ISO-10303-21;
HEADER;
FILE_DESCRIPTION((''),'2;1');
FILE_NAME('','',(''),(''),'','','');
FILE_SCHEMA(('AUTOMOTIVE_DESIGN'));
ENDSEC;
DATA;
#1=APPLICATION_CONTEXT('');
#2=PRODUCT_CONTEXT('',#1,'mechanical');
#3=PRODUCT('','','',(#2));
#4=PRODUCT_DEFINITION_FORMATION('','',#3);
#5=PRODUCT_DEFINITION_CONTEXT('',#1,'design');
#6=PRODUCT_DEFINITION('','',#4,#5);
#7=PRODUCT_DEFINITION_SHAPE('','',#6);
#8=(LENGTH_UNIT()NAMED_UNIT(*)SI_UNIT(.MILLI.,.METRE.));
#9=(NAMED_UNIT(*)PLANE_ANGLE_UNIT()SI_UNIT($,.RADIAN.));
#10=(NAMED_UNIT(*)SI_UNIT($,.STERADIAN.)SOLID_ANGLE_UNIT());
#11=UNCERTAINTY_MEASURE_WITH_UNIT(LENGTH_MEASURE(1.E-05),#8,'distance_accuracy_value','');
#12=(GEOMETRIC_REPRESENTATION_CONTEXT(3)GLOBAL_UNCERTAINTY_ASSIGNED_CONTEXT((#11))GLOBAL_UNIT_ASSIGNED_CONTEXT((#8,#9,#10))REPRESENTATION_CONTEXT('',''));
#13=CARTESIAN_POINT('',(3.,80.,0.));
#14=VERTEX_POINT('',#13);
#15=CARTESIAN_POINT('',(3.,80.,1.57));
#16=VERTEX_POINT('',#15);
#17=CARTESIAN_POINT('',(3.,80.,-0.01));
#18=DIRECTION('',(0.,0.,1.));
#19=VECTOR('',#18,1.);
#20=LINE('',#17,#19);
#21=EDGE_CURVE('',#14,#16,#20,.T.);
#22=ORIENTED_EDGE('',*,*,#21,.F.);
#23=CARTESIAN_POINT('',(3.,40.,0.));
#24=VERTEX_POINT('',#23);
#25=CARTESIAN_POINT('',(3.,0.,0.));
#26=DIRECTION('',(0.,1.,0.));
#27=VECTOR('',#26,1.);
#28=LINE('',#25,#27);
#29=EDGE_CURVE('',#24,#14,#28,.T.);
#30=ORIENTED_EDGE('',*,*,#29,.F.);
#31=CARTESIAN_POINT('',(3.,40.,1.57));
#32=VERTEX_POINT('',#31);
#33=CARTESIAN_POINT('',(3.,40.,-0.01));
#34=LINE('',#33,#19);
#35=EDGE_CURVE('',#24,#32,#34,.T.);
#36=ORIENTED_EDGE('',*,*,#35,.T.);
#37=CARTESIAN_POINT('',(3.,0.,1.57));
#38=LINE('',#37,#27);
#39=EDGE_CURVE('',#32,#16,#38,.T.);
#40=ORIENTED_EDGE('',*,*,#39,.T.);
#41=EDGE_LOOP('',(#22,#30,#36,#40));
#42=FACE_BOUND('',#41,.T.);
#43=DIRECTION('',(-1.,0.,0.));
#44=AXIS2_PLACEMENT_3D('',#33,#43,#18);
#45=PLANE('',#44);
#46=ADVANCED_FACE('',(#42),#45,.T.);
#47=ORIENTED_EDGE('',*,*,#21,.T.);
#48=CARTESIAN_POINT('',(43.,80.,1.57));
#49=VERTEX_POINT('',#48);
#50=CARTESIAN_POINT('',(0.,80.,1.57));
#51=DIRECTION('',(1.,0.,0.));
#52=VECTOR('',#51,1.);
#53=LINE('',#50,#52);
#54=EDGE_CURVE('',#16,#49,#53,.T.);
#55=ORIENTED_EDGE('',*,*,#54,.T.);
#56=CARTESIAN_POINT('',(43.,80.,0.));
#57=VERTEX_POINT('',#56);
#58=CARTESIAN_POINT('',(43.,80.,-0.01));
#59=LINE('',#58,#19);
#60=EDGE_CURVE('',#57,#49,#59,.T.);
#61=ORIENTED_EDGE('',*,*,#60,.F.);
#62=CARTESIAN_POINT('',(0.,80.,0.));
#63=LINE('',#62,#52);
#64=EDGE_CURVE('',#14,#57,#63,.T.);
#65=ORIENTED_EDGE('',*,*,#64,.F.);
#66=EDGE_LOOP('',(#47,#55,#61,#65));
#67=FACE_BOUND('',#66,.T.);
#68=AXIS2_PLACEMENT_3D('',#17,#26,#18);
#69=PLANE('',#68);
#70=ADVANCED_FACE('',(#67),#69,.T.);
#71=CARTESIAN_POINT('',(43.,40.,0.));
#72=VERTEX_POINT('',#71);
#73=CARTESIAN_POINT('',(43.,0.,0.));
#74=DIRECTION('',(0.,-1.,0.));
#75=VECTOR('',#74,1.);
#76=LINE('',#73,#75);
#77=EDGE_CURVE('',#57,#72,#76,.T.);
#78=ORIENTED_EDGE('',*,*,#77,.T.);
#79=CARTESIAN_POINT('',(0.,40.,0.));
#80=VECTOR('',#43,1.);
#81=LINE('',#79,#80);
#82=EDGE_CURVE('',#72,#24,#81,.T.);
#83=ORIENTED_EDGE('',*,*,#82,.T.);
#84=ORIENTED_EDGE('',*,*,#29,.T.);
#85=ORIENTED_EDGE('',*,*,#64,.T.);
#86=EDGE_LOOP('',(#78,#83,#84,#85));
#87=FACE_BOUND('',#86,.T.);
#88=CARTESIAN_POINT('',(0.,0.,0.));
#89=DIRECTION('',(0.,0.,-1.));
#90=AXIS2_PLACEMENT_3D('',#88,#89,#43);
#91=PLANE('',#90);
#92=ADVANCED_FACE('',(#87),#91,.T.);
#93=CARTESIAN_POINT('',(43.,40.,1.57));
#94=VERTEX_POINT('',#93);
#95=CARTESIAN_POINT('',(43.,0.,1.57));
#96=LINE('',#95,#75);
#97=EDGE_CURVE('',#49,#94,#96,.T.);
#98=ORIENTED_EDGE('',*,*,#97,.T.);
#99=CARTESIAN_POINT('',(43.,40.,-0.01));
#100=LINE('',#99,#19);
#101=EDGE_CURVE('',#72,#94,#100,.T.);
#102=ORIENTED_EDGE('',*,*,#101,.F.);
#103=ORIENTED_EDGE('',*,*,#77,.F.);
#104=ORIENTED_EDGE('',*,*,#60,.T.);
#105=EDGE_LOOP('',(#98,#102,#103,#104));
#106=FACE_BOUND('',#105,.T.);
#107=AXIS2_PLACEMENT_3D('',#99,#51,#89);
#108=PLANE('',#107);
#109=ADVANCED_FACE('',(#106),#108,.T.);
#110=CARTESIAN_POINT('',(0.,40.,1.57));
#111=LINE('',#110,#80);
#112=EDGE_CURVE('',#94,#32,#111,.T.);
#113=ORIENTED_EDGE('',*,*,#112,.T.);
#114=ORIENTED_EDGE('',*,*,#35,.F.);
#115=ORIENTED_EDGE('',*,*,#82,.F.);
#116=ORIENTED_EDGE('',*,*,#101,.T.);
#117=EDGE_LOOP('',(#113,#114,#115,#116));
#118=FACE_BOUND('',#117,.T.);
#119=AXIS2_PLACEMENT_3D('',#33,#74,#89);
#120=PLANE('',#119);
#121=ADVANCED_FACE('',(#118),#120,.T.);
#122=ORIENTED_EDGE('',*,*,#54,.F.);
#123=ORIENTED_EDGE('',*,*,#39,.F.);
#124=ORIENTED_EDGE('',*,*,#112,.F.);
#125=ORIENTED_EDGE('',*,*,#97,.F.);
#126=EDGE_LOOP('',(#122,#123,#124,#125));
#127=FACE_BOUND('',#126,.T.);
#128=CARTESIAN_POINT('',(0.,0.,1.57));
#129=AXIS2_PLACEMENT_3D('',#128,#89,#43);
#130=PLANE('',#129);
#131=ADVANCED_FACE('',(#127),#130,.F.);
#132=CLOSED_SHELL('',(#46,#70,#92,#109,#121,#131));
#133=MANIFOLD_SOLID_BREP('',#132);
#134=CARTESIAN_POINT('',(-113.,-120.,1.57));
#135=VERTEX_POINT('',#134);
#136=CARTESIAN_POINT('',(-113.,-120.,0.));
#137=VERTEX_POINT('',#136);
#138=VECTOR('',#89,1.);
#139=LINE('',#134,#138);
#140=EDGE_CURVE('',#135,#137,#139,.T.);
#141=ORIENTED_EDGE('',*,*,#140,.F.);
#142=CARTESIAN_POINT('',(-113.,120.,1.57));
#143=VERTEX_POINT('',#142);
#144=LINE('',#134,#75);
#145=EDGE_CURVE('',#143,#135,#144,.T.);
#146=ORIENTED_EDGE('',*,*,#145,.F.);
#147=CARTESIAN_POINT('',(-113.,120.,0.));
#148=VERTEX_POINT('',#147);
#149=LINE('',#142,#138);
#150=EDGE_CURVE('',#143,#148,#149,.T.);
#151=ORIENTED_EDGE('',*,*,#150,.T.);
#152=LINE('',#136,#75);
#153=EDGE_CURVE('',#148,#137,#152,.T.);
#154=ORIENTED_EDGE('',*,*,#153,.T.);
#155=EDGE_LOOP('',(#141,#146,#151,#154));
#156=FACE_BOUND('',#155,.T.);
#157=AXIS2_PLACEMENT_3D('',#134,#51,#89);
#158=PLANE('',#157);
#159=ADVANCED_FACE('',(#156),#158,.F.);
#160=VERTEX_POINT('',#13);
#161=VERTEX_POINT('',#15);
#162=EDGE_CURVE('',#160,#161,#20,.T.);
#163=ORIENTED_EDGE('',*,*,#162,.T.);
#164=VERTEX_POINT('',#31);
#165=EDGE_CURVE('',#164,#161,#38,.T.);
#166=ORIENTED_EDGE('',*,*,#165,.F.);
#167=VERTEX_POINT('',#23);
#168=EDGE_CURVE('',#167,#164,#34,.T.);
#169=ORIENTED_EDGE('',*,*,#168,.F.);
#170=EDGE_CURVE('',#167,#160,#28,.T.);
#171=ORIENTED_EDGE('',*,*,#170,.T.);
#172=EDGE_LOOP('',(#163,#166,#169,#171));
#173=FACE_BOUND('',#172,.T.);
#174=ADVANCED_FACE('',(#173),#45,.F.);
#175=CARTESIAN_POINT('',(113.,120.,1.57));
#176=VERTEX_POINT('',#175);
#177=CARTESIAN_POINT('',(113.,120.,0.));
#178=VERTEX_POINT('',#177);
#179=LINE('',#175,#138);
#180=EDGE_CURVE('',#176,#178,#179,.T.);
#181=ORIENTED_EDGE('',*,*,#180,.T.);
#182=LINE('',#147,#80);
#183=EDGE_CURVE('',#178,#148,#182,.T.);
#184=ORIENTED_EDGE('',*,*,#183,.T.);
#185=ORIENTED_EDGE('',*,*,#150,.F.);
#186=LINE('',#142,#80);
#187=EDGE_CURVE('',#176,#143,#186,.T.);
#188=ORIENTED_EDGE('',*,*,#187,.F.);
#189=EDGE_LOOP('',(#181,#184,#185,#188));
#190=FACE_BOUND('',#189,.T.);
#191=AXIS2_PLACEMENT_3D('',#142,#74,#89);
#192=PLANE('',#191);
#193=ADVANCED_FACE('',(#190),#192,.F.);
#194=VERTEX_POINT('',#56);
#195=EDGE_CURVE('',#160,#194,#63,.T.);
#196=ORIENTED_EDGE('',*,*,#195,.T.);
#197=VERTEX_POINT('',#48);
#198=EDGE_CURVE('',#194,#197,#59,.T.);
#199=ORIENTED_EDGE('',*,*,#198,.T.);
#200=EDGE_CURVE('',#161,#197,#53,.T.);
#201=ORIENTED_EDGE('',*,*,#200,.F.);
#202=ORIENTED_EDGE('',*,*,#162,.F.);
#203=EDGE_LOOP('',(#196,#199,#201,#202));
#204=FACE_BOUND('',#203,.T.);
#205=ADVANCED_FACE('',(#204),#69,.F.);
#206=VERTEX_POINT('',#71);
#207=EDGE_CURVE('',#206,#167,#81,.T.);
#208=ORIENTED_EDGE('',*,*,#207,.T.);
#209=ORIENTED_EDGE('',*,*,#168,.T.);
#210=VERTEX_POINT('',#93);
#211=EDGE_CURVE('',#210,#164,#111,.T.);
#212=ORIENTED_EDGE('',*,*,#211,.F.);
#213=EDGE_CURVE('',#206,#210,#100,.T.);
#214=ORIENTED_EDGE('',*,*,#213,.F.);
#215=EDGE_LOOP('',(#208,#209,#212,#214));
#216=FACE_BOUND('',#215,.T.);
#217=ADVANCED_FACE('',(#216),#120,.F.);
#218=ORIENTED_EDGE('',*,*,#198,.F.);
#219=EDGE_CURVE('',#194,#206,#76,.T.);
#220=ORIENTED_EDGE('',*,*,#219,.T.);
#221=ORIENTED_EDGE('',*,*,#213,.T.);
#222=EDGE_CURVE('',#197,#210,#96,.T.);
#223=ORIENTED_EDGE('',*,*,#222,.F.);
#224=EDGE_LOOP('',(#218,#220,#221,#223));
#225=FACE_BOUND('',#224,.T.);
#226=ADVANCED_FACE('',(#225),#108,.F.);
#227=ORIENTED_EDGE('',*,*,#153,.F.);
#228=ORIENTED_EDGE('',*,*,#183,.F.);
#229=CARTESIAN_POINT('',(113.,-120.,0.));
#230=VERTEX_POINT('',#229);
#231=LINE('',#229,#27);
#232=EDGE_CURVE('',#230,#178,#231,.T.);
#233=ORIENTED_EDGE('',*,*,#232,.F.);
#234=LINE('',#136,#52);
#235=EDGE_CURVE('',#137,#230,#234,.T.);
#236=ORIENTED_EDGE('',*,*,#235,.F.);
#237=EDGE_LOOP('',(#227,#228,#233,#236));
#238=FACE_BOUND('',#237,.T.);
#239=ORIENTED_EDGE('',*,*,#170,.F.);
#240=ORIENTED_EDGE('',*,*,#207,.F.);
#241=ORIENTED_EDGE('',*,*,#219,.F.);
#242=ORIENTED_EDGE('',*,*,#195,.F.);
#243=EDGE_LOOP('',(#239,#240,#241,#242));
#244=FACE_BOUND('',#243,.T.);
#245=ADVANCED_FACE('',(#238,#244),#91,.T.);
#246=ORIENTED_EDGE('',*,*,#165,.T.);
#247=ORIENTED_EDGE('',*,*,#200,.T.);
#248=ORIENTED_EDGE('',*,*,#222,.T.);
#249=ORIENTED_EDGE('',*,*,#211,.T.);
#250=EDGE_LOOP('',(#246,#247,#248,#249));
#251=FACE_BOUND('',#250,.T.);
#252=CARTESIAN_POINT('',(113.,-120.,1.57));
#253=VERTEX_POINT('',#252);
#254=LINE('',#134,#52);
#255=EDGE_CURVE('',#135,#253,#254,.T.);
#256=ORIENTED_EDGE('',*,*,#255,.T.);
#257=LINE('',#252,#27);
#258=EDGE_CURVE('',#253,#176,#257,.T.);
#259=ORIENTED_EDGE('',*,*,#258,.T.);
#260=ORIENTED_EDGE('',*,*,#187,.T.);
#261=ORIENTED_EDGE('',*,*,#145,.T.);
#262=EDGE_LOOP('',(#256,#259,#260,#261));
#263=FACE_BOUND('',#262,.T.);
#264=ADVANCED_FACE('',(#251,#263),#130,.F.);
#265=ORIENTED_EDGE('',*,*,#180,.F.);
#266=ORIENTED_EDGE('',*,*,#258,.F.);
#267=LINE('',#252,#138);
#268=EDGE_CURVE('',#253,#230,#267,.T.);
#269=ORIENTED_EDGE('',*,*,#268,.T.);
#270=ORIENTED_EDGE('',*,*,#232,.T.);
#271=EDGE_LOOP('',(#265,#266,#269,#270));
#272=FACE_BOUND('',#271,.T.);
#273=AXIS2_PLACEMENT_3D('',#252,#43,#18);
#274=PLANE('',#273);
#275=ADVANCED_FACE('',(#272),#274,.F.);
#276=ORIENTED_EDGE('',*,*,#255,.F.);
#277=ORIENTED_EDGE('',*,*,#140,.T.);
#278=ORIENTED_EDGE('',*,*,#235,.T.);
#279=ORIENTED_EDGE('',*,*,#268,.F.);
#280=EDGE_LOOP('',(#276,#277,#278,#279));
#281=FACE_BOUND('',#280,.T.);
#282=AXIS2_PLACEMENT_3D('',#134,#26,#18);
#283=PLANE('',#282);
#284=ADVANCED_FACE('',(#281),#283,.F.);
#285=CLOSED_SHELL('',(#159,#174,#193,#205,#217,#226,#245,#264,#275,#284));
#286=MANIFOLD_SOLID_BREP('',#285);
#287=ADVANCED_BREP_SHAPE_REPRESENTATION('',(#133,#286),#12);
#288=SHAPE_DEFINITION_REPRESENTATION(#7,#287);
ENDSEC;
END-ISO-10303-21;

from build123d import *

# Parameters (mm, degrees)
SKETCH1_W              = 226
SKETCH1_H              = 240
BOSS_EXTRUDE1_DEPTH    = 1.57
SPLIT1_SURFACE_1_BACK  = 330.664
SPLIT1_SURFACE_1_DEPTH = 661.328
SPLIT1_SURFACE_2_BACK  = 330.664
SPLIT1_SURFACE_2_DEPTH = 661.328


with BuildPart() as part:
    # Sketch1 → Boss-Extrude1 (new body)
    with BuildSketch(Plane.XY):
        Rectangle(SKETCH1_W, SKETCH1_H)
    extrude(amount=BOSS_EXTRUDE1_DEPTH)


with BuildPart() as body_2:
    # Split1: the piece behind the surface
    add(part.part)
    # Split1 surface: a surface, the sketch's curves swept straight by 661.328 mm
    with BuildLine(Plane.XY.offset(1.57).offset(-SPLIT1_SURFACE_1_BACK), mode=Mode.PRIVATE) as split1_surface_1_path:
        Line((3, 40), (43, 40))
        Line((43, 40), (43, 80))
        Line((43, 80), (3, 80))
        Line((3, 80), (3, 40))
    split1_surface_1 = Shell.extrude(split1_surface_1_path.wire(), (0 * SPLIT1_SURFACE_1_DEPTH, 0 * SPLIT1_SURFACE_1_DEPTH, 1 * SPLIT1_SURFACE_1_DEPTH))
    split(bisect_by=split1_surface_1, keep=Keep.BOTTOM)


with BuildPart() as part_1:
    add(part.part)

    # Split1: split by a surface, the side it looks to stays
    # Split1 surface: a surface, the sketch's curves swept straight by 661.328 mm
    with BuildLine(Plane.XY.offset(1.57).offset(-SPLIT1_SURFACE_2_BACK), mode=Mode.PRIVATE) as split1_surface_2_path:
        Line((3, 40), (43, 40))
        Line((43, 40), (43, 80))
        Line((43, 80), (3, 80))
        Line((3, 80), (3, 40))
    split1_surface_2 = Shell.extrude(split1_surface_2_path.wire(), (0 * SPLIT1_SURFACE_2_DEPTH, 0 * SPLIT1_SURFACE_2_DEPTH, 1 * SPLIT1_SURFACE_2_DEPTH))
    split(bisect_by=split1_surface_2, keep=Keep.TOP)


solid = Compound([body_2.part, part_1.part])
